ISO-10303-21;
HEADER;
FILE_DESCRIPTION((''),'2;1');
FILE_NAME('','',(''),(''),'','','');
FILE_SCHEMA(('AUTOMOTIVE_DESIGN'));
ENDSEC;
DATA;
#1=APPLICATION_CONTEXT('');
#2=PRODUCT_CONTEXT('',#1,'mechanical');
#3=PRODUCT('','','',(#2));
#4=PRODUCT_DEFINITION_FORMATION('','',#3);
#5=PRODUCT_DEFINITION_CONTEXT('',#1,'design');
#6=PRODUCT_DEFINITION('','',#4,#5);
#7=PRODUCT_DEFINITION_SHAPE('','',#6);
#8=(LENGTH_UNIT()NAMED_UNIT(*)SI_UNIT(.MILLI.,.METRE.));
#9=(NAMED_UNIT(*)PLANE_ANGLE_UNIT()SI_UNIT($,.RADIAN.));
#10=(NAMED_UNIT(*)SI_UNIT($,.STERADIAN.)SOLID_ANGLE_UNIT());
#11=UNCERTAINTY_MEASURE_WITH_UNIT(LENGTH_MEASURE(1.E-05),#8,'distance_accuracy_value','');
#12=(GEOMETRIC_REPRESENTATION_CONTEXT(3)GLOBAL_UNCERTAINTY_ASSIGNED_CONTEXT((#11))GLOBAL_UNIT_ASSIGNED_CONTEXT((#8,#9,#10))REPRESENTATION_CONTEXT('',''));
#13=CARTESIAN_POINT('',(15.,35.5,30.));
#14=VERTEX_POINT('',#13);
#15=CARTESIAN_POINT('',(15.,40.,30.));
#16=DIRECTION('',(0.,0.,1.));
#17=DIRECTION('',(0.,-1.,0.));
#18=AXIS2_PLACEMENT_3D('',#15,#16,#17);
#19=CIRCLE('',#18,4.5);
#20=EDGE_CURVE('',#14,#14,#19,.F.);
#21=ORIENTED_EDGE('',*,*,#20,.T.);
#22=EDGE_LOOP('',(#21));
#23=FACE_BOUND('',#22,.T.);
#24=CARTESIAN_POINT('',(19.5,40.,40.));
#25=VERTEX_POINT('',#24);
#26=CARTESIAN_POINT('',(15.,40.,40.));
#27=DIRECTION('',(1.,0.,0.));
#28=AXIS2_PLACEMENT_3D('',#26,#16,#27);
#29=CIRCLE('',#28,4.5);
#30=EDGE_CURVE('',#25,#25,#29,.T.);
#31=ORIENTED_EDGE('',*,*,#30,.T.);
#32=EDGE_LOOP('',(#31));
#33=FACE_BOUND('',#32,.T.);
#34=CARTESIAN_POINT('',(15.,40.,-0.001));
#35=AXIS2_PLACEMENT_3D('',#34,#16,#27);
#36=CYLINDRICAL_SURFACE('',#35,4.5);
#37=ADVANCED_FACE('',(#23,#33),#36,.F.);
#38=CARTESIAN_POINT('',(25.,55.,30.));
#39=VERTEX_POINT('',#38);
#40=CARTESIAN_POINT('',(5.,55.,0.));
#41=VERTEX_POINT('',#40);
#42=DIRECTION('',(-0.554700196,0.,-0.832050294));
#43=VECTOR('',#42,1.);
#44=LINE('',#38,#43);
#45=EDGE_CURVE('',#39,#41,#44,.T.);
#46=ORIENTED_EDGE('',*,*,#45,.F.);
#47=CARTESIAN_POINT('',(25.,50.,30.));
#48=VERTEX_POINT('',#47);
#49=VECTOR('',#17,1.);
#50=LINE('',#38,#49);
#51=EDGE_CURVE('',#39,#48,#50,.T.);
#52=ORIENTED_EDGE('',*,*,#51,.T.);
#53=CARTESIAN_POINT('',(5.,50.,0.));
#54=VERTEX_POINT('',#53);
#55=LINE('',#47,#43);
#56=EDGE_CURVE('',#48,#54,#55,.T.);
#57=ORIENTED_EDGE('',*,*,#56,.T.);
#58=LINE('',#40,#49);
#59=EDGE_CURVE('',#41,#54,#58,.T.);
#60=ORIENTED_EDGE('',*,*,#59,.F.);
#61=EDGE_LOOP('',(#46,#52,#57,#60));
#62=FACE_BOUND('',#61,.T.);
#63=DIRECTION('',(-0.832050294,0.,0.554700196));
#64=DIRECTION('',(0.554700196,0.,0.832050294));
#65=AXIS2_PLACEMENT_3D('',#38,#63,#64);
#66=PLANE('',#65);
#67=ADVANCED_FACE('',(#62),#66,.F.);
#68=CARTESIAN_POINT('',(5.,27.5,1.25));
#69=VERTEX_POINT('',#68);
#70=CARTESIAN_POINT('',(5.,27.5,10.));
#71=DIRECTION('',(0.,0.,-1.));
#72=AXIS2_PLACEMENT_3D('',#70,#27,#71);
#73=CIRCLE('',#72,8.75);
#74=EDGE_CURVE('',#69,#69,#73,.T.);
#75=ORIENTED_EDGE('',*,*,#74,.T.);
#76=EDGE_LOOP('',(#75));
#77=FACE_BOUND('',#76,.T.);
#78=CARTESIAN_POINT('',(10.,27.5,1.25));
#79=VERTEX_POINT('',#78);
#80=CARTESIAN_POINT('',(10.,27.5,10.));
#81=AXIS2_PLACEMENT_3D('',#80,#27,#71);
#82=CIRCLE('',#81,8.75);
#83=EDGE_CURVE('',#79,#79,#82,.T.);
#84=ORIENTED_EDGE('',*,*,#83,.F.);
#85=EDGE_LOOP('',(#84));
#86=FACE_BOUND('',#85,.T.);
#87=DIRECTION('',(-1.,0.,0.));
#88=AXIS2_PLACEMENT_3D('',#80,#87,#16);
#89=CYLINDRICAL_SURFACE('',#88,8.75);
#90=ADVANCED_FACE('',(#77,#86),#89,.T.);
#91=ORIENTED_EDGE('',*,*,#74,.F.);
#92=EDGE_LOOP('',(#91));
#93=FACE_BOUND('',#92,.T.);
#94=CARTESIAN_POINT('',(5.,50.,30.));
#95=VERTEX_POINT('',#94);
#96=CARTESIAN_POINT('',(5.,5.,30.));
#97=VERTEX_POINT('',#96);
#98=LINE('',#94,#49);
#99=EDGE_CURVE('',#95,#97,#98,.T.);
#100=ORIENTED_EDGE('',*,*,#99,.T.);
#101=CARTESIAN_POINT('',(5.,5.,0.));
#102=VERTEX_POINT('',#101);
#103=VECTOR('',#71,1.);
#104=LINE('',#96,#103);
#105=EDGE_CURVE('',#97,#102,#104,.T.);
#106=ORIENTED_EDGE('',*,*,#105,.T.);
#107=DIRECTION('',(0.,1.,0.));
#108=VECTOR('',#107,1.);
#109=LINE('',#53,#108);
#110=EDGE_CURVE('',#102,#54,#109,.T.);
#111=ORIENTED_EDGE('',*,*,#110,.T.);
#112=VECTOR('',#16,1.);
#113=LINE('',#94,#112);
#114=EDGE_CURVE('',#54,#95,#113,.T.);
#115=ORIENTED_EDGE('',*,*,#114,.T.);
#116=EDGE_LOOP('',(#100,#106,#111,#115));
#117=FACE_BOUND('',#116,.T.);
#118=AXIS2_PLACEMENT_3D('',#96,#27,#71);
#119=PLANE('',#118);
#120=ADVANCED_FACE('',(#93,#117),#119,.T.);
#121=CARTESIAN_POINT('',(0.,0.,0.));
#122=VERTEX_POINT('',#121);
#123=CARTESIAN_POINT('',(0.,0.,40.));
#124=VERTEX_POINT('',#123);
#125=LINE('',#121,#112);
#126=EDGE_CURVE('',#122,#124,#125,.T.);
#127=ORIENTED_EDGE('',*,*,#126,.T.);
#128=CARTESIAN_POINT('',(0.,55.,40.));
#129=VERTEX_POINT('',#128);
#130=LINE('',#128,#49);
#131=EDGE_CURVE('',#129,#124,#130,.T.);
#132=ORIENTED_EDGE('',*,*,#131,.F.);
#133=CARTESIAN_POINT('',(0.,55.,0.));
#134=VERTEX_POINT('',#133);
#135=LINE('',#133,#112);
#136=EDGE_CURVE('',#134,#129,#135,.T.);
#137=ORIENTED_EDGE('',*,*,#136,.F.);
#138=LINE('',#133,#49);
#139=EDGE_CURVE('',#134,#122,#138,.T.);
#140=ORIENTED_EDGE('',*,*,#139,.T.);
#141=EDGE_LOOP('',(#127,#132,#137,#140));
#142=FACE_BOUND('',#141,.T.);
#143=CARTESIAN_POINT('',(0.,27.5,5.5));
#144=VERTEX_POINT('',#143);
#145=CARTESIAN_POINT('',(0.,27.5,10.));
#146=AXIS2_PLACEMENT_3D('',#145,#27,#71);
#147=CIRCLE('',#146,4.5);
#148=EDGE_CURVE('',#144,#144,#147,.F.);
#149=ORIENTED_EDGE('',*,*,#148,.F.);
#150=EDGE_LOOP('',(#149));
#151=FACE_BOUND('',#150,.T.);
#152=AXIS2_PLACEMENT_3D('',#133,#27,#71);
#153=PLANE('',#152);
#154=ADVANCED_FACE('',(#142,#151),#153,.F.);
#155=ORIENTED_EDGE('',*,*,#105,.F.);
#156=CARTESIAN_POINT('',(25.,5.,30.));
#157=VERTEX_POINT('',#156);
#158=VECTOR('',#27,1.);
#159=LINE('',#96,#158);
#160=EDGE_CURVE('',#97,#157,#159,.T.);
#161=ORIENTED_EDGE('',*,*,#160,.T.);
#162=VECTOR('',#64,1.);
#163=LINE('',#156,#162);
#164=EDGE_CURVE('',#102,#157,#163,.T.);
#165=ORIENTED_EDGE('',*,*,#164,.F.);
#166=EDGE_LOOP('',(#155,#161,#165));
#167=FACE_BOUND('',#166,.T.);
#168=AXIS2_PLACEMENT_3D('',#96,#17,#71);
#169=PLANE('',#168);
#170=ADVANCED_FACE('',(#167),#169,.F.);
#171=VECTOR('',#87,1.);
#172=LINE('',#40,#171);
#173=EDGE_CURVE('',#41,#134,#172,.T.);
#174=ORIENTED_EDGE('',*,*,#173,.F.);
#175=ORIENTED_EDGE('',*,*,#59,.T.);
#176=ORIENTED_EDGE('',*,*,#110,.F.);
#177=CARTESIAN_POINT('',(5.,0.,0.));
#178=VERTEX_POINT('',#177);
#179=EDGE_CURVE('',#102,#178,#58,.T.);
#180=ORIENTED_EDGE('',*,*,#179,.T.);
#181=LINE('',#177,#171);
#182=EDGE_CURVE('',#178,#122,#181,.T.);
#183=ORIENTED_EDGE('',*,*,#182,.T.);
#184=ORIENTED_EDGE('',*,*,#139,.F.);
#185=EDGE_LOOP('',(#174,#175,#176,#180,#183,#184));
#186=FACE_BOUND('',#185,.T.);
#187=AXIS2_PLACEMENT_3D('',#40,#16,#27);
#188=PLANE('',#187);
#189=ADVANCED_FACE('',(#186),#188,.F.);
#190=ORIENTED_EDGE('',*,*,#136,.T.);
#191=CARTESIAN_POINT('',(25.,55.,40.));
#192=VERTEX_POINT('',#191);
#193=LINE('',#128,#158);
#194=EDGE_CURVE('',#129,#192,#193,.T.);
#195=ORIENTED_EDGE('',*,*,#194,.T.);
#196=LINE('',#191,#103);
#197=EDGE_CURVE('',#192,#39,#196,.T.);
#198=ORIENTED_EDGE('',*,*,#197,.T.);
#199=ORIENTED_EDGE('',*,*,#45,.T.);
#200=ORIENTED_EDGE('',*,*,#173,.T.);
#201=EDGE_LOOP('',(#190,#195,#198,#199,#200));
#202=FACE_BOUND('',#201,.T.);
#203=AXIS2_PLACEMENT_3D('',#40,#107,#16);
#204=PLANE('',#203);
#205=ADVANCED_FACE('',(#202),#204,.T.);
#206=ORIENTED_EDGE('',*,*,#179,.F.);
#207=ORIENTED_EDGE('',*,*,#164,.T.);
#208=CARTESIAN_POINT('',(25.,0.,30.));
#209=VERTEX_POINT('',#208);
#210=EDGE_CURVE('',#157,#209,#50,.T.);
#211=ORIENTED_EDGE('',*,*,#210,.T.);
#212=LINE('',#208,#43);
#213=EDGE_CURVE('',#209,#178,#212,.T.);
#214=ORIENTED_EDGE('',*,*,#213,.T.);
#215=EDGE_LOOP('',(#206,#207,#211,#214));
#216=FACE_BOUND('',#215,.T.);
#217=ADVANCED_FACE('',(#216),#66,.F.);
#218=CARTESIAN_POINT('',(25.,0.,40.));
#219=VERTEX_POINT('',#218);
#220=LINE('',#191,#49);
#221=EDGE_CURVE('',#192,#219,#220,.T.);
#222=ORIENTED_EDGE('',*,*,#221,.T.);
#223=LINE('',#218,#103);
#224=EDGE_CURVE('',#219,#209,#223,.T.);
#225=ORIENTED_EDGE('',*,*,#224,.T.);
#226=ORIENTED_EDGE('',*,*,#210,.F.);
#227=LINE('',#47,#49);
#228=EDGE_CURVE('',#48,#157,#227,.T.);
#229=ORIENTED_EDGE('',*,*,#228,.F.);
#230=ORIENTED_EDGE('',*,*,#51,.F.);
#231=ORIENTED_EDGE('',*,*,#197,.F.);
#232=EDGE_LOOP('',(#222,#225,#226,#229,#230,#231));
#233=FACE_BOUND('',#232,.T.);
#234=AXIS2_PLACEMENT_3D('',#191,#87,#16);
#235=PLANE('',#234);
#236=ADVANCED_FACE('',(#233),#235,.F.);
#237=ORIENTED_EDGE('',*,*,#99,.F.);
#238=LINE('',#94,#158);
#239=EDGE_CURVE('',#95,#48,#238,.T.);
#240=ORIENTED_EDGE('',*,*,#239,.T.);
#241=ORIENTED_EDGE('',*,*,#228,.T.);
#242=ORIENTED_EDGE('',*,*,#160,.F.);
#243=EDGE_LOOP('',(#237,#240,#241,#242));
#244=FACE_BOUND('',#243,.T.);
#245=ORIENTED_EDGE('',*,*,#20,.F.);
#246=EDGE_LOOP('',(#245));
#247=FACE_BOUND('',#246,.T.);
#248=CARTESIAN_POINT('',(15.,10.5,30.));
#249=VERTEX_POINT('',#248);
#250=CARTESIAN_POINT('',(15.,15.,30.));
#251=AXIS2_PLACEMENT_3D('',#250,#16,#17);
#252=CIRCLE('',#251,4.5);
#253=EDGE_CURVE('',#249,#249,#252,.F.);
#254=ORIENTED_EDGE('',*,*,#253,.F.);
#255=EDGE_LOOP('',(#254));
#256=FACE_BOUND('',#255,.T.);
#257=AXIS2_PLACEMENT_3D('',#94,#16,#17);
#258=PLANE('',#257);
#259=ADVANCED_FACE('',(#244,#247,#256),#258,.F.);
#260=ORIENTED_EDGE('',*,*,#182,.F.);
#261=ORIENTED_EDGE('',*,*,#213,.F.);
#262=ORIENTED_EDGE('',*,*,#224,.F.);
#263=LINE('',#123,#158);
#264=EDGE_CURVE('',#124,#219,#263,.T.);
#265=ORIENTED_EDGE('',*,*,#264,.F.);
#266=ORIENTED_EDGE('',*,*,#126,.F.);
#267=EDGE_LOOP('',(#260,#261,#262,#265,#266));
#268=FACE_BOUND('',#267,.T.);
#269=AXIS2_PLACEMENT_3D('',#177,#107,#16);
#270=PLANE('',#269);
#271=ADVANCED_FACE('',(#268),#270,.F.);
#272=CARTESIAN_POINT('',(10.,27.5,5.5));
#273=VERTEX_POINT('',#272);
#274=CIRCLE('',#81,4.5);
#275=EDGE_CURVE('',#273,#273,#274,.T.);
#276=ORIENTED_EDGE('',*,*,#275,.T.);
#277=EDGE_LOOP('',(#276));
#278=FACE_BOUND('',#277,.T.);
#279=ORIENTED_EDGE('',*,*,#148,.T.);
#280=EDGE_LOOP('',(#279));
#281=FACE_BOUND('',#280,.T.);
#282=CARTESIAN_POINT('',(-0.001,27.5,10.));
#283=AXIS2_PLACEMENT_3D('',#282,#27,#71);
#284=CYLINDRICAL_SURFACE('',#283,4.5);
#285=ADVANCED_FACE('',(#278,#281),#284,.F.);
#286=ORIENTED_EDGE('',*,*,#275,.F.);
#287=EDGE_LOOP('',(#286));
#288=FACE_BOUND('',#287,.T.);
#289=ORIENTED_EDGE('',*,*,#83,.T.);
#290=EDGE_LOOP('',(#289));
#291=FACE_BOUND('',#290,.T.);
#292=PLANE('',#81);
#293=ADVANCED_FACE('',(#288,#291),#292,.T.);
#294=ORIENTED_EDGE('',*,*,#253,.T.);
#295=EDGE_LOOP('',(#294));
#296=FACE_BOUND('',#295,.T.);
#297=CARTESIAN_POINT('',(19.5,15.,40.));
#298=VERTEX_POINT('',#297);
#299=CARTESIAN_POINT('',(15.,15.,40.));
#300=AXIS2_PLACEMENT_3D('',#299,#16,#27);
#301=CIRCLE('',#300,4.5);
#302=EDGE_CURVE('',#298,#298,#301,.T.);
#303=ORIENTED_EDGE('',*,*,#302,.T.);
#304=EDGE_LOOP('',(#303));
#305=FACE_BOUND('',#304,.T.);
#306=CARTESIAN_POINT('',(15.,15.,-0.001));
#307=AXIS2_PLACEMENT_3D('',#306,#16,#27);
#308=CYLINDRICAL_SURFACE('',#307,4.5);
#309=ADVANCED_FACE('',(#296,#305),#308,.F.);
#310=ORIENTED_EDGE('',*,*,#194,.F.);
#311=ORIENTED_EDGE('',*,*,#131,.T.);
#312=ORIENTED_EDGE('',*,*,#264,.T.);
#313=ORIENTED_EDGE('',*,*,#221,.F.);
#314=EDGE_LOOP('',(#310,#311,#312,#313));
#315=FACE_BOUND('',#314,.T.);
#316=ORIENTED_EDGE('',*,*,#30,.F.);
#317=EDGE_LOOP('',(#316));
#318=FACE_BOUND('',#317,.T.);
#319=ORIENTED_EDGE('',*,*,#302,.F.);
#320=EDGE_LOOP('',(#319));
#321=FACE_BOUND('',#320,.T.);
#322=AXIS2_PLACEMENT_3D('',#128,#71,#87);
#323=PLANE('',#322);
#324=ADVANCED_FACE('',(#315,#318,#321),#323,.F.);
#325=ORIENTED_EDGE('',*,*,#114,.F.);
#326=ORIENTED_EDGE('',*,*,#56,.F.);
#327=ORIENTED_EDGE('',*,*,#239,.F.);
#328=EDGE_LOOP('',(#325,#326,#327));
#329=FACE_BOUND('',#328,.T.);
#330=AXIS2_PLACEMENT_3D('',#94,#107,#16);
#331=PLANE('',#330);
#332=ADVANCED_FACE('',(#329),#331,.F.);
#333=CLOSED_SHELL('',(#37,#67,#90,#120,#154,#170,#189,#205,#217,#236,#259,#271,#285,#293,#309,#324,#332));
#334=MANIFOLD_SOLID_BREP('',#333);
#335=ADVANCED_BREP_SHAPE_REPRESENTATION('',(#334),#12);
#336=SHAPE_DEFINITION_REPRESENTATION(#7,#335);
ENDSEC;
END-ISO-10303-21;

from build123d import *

# Parameters (mm, degrees)
BOSS_EXTRUDE1_DEPTH = 55
SKETCH7_W           = 30
SKETCH7_H           = 45
CUT_EXTRUDE5_DEPTH  = 20
CUT_EXTRUDE4_REACH  = 74.457
SKETCH6_R           = 4.5
SKETCH8_R           = 8.75
BOSS_EXTRUDE2_DEPTH = 5
CUT_EXTRUDE6_REACH  = 71.642
SKETCH9_R           = 4.5


with BuildPart() as part:
    # Sketch1 → Boss-Extrude1 (new body)
    with BuildSketch(Plane(origin=(0, 0, 0), x_dir=(1, 0, 0), z_dir=(0, 1, 0))):
        Polygon((0, 0), (0, -40), (25, -40), (25, -30), (5, 0), align=None)
    extrude(amount=BOSS_EXTRUDE1_DEPTH)

    # Sketch7 → Cut-Extrude5 (cut)
    with BuildSketch(Plane(origin=(25, 0, 0), x_dir=(0, 0, -1), z_dir=(1, 0, 0))):
        with Locations((-15, 27.5)):
            Rectangle(SKETCH7_W, SKETCH7_H)
    extrude(amount=-CUT_EXTRUDE5_DEPTH, mode=Mode.SUBTRACT)

    # Sketch6 → Cut-Extrude4 (cut, up to next)
    with BuildSketch(Plane.XY.offset(40), mode=Mode.PRIVATE) as cut_extrude4_sk1:
        with Locations((15, 40)):
            Circle(SKETCH6_R)
    cut_extrude4_tool1 = extrude(cut_extrude4_sk1.sketch, amount=-CUT_EXTRUDE4_REACH, mode=Mode.PRIVATE) & part.part
    # Sketch6 → Cut-Extrude4 (cut, up to next)
    with BuildSketch(Plane.XY.offset(40), mode=Mode.PRIVATE) as cut_extrude4_sk2:
        with Locations((15, 15)):
            Circle(SKETCH6_R)
    cut_extrude4_tool2 = extrude(cut_extrude4_sk2.sketch, amount=-CUT_EXTRUDE4_REACH, mode=Mode.PRIVATE) & part.part
    add(cut_extrude4_tool1.solids().sort_by_distance((15, 40, 40))[0], mode=Mode.SUBTRACT)
    add(cut_extrude4_tool2.solids().sort_by_distance((15, 15, 40))[0], mode=Mode.SUBTRACT)

    # Sketch8 → Boss-Extrude2 (add)
    with BuildSketch(Plane(origin=(5, 0, 0), x_dir=(0, 0, -1), z_dir=(1, 0, 0))):
        with Locations((-10, 27.5)):
            Circle(SKETCH8_R)
    extrude(amount=BOSS_EXTRUDE2_DEPTH)

    # Sketch9 → Cut-Extrude6 (cut, up to next)
    with BuildSketch(Plane(origin=(10, 0, 0), x_dir=(0, 0, -1), z_dir=(1, 0, 0)), mode=Mode.PRIVATE) as cut_extrude6_sk1:
        with Locations((-10, 27.5)):
            Circle(SKETCH9_R)
    cut_extrude6_tool1 = extrude(cut_extrude6_sk1.sketch, amount=-CUT_EXTRUDE6_REACH, mode=Mode.PRIVATE) & part.part
    add(cut_extrude6_tool1.solids().sort_by_distance((10, 27.5, 10))[0], mode=Mode.SUBTRACT)


solid = part.part
